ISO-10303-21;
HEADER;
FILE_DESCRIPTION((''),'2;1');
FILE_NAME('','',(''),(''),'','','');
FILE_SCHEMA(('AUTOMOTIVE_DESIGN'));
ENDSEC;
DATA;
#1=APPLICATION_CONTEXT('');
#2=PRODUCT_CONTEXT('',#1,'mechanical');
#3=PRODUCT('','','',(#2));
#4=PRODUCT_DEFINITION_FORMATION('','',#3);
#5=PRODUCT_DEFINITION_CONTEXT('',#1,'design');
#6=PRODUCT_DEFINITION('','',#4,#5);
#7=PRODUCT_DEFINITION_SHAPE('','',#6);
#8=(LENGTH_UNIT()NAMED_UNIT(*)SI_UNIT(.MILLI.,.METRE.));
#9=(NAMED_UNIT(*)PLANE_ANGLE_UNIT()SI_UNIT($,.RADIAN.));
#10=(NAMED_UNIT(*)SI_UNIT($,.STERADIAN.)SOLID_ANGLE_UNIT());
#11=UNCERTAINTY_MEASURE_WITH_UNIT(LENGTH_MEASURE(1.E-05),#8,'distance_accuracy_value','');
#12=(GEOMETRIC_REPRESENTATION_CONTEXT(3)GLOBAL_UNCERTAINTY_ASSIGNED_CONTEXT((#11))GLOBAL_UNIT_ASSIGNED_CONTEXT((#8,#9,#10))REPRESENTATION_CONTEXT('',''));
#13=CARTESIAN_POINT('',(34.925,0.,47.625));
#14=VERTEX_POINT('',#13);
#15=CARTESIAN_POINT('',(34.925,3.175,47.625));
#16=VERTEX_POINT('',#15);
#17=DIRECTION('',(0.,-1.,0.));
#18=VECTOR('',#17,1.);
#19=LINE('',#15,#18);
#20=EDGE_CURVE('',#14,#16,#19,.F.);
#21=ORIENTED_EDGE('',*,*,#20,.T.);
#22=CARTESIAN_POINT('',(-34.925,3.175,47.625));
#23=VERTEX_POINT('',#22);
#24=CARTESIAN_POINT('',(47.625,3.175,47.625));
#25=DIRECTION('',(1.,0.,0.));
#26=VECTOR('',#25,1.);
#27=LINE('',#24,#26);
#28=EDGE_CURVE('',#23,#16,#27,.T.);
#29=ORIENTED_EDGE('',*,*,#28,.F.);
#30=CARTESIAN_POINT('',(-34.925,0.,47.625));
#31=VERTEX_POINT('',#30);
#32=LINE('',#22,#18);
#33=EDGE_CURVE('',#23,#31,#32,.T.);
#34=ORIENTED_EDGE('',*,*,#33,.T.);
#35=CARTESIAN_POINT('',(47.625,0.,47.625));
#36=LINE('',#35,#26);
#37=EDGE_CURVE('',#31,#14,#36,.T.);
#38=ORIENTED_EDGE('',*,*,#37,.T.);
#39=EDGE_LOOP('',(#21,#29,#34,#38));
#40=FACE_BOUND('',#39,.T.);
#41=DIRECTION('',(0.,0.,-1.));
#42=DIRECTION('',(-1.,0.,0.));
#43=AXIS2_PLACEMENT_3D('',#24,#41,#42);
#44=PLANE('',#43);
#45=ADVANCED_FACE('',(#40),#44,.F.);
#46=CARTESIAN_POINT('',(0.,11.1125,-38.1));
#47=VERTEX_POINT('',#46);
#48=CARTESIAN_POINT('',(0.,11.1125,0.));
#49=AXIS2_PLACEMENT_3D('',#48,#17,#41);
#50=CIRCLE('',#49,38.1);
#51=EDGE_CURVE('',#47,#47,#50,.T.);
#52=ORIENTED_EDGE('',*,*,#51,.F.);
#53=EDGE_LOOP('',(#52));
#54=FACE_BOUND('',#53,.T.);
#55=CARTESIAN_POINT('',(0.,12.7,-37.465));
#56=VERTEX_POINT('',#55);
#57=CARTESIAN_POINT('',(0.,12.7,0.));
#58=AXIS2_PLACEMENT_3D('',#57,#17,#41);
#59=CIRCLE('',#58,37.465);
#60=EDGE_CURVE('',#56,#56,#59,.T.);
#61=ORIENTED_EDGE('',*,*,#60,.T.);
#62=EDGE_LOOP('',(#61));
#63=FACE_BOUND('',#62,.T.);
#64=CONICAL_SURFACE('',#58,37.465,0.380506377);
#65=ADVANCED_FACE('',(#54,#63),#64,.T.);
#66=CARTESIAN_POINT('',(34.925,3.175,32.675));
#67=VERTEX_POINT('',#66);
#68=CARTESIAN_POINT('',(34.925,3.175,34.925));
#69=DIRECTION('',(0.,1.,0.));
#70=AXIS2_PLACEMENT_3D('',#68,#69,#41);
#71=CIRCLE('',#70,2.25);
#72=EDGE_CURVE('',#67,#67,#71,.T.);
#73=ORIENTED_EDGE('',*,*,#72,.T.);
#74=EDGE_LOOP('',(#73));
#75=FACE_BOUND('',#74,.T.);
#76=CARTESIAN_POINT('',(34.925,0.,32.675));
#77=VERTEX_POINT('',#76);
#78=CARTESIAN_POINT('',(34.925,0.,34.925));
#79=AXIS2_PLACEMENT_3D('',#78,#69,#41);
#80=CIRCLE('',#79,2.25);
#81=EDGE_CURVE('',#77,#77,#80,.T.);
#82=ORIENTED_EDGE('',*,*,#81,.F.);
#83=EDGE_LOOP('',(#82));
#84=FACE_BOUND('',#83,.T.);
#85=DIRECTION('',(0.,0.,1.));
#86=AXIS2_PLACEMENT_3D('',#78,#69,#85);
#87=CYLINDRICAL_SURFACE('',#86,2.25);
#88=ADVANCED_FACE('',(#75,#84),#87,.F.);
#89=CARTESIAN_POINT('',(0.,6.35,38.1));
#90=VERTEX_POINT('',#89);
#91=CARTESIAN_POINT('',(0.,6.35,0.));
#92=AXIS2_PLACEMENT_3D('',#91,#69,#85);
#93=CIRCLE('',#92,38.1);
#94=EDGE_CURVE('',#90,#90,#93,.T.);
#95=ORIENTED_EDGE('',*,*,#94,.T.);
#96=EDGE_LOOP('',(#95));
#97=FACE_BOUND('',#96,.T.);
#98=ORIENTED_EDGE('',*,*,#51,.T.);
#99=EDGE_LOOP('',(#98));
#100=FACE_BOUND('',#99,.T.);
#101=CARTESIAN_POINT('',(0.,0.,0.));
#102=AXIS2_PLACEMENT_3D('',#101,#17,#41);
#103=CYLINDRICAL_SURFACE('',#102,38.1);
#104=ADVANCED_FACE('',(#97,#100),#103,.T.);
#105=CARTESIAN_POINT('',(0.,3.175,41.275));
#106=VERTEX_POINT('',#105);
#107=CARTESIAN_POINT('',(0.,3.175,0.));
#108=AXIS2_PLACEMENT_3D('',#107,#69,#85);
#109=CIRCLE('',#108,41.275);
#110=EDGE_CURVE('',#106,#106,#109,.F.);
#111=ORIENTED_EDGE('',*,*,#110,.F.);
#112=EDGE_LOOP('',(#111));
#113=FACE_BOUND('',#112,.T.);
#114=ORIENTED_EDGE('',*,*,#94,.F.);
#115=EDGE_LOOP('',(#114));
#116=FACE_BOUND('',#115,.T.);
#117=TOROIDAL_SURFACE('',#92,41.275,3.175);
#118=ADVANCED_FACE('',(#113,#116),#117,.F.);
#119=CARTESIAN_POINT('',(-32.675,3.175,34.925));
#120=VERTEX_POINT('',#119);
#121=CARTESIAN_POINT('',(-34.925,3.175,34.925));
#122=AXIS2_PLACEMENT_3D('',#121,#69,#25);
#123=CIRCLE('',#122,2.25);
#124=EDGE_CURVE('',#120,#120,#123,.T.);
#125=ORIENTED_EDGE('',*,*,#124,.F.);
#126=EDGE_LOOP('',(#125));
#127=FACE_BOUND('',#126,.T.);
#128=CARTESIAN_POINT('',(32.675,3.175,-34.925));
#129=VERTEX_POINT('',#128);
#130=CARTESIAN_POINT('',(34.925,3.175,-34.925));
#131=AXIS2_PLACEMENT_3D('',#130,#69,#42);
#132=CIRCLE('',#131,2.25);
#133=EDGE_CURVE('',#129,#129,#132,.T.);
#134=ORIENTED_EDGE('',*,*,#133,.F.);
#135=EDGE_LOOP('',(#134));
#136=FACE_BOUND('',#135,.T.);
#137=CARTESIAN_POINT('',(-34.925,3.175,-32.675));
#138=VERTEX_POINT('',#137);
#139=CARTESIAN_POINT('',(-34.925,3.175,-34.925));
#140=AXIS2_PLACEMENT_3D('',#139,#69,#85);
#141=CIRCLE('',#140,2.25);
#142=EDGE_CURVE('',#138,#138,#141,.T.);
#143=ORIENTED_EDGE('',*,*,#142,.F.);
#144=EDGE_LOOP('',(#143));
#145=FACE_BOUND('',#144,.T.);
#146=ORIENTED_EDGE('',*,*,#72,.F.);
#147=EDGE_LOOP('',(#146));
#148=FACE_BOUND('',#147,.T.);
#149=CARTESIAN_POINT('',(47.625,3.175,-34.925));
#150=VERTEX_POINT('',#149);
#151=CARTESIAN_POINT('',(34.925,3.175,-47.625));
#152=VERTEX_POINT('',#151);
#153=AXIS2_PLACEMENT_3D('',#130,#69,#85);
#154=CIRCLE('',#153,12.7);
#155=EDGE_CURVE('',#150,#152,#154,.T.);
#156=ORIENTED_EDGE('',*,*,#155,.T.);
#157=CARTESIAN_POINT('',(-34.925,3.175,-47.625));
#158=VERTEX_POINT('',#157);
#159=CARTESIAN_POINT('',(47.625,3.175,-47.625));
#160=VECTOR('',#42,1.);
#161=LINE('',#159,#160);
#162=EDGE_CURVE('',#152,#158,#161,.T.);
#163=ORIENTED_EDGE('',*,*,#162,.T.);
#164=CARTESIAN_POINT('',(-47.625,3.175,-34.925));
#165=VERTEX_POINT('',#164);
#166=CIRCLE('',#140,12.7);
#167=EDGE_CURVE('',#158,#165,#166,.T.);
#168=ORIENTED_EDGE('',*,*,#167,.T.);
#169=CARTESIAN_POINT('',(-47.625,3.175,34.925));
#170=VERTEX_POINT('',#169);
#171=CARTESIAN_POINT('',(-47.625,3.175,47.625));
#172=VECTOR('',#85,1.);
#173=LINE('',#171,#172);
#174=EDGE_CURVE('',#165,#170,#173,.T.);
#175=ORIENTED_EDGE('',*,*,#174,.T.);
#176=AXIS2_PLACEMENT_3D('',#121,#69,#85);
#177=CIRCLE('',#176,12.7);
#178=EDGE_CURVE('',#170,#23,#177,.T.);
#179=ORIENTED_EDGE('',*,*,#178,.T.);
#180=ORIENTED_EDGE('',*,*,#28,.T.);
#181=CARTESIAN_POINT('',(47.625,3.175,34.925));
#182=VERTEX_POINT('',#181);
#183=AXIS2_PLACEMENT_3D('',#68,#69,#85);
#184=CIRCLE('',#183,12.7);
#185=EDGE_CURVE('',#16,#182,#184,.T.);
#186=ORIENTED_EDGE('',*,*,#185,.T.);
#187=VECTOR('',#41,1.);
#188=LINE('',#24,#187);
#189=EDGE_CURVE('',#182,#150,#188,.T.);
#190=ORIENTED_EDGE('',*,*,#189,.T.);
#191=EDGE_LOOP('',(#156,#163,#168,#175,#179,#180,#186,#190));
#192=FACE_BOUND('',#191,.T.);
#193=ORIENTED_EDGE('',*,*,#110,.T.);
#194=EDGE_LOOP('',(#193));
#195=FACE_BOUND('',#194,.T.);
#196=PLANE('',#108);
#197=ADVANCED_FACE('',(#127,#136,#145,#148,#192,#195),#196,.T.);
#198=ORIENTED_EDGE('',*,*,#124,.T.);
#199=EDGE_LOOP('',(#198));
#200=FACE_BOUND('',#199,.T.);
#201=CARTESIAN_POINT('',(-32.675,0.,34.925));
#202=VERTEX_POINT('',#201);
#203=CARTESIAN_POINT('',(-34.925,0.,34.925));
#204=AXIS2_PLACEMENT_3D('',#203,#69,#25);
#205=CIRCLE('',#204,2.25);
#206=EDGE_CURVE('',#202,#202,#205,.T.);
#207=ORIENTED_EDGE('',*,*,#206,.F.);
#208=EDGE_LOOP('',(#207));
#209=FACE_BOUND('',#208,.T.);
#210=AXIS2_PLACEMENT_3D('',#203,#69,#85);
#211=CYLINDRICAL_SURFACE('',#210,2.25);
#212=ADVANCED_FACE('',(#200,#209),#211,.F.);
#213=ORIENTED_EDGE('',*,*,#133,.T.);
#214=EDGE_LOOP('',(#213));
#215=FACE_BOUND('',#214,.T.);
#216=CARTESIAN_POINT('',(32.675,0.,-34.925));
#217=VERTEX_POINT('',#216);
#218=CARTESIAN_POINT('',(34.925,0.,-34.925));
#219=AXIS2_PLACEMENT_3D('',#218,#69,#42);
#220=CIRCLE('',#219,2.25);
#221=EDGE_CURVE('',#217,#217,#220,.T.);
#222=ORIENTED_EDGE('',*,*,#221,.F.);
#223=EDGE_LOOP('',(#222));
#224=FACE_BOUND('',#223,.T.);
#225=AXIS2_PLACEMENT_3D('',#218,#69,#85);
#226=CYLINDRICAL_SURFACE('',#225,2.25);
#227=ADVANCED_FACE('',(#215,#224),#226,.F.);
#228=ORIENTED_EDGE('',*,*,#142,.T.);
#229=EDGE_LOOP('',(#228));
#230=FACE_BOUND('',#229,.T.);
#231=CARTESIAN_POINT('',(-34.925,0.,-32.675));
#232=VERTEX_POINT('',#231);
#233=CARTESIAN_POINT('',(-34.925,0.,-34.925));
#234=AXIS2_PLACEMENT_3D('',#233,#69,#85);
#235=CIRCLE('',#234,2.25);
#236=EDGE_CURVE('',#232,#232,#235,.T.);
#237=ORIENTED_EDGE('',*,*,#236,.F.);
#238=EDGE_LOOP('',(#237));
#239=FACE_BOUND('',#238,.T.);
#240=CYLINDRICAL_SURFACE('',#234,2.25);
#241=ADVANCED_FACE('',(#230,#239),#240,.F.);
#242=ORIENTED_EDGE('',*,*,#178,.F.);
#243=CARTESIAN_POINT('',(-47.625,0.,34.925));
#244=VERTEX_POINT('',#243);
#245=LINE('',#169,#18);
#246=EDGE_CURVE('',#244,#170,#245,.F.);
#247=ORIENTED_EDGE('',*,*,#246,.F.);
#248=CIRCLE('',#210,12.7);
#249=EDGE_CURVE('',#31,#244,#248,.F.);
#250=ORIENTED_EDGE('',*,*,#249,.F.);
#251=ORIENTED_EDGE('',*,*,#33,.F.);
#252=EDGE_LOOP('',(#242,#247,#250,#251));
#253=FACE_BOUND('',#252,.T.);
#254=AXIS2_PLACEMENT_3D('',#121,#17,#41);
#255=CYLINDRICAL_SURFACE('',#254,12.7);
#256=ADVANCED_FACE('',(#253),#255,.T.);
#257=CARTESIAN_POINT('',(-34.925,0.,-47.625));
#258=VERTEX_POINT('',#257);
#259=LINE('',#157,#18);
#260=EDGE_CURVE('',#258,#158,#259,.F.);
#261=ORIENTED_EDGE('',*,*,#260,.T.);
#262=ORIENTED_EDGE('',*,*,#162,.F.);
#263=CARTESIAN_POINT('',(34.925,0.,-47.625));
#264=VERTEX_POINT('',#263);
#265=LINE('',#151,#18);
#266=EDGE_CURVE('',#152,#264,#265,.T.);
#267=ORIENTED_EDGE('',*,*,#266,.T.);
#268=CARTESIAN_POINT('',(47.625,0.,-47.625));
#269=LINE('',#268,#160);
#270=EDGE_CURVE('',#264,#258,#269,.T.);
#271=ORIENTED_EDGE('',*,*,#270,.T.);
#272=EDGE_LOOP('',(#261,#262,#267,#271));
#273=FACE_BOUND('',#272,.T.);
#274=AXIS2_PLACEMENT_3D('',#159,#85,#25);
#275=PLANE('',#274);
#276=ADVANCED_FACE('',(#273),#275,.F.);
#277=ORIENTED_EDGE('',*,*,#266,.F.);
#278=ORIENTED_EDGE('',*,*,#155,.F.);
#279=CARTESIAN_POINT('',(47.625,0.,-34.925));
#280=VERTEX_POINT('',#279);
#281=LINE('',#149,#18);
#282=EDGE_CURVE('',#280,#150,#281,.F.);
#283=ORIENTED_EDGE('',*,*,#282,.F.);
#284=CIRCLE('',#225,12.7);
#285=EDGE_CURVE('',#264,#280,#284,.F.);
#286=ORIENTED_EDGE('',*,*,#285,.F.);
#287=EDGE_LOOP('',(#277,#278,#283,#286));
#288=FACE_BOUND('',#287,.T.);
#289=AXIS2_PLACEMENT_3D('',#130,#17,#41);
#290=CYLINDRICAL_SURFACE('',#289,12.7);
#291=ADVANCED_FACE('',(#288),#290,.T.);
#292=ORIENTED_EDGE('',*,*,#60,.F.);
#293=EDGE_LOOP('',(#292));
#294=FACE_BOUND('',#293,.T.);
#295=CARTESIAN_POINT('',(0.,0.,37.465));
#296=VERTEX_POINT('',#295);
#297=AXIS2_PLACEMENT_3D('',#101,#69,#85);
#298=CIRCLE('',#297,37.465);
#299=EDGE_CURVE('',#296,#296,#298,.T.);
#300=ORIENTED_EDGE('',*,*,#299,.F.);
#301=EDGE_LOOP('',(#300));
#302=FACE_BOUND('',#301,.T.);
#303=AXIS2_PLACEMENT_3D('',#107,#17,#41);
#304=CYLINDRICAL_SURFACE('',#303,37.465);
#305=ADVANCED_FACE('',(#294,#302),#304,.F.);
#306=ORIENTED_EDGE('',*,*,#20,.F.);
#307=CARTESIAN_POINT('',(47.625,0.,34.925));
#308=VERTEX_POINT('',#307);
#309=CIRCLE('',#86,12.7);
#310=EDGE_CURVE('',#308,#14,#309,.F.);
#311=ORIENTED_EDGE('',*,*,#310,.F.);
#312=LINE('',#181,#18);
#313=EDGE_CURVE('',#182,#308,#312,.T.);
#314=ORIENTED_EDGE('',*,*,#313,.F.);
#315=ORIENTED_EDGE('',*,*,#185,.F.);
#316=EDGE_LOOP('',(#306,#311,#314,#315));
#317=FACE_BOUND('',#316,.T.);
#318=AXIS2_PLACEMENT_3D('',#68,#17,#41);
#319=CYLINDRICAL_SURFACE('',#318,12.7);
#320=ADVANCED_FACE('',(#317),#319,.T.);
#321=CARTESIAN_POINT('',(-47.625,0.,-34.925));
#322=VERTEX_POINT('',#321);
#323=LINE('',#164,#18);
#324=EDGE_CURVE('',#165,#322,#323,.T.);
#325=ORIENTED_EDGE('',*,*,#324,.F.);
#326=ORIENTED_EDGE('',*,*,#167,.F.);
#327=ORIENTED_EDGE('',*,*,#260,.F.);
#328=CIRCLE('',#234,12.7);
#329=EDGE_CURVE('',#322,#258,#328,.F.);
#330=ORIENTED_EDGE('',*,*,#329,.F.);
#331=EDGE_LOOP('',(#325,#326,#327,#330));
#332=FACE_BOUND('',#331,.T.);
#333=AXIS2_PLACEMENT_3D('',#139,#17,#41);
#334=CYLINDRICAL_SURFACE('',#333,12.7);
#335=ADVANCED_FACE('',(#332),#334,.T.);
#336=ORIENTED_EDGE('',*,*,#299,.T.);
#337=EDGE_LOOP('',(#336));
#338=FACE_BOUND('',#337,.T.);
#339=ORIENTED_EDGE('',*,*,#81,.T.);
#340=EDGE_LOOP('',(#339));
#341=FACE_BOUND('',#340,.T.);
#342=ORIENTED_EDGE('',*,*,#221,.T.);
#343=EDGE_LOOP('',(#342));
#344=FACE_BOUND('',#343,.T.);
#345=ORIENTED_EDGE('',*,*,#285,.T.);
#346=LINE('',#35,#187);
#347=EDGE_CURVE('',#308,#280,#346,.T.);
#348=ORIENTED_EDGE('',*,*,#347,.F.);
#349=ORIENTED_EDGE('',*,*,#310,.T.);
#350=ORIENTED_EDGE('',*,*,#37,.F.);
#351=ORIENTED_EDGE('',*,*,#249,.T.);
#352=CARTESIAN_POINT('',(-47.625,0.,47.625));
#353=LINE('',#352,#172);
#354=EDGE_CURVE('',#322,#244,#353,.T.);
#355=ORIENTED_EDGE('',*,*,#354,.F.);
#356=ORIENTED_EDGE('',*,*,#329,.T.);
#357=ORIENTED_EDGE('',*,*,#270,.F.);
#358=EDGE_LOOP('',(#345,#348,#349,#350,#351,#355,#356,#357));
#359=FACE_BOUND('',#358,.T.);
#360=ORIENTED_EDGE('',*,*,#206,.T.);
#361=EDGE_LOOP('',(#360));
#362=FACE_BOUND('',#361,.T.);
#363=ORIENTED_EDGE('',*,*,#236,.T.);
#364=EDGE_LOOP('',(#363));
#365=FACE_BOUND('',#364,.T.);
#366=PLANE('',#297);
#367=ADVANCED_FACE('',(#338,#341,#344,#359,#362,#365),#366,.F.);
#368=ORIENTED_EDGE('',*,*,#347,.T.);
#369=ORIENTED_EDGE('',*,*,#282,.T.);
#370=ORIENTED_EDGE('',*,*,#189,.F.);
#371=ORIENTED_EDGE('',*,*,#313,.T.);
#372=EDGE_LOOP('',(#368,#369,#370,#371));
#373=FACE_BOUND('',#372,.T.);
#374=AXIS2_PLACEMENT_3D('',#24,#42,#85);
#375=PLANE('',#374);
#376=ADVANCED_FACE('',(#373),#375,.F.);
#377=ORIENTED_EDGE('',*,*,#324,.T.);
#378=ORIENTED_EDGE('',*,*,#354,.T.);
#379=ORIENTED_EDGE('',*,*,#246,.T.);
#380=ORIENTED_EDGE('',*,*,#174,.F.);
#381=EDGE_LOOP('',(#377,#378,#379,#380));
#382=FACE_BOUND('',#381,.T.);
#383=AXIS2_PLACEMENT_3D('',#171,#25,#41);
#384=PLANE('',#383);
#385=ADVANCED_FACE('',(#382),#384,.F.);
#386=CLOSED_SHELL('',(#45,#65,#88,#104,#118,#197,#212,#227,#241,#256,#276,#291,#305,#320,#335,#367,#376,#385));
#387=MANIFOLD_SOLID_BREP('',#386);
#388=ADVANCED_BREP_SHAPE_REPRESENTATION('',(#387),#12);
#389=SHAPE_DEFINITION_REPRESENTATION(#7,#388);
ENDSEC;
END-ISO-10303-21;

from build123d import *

# Parameters (mm, degrees)
SKETCH1_W           = 95.25
SKETCH1_H           = 95.25
SKETCH1_R           = 37.465
BOSS_EXTRUDE1_DEPTH = 3.175
SKETCH2_R           = 2.25
CUT_EXTRUDE1_DEPTH  = 4.175
CIRPATTERN1_COUNT   = 4
FILLET1_R           = 12.7
FILLET2_R           = 3.175


with BuildPart() as part:
    # Sketch1 → Boss-Extrude1 (new body)
    with BuildSketch(Plane(origin=(0, 0, 0), x_dir=(1, 0, 0), z_dir=(0, 1, 0))):
        Rectangle(SKETCH1_W, SKETCH1_H)
        Circle(SKETCH1_R, mode=Mode.SUBTRACT)
    extrude(amount=BOSS_EXTRUDE1_DEPTH)

    # Sketch2 → Cut-Extrude1 (cut, through all)
    with BuildSketch(Plane(origin=(0, 3.175, 0), x_dir=(1, 0, 0), z_dir=(0, 1, 0))):
        with Locations((-34.925, 34.925)):
            Circle(SKETCH2_R)
    cut_extrude1 = extrude(amount=-CUT_EXTRUDE1_DEPTH, mode=Mode.SUBTRACT)

    # CirPattern1: Cut-Extrude1 ×4 about axis
    cirpattern1_axis = Axis((0, 0, 0), (0, 1, 0))
    for i in range(1, CIRPATTERN1_COUNT):
        add(cut_extrude1.rotate(cirpattern1_axis, i * 360 / CIRPATTERN1_COUNT), mode=Mode.SUBTRACT)

    # Fillet1
    fillet1_edges = [part.edges().sort_by_distance(p)[0] for p in [
        (-47.625, 1.5875, -47.625),
        (47.625, 1.5875, -47.625),
        (47.625, 1.5875, 47.625),
        (-47.625, 1.5875, 47.625),
    ]]
    fillet(fillet1_edges, radius=FILLET1_R)

    # Sketch4 → Revolve1 (revolve)
    with BuildSketch(Plane.XY):
        Polygon((37.465, 9.525), (37.465, 3.175), (38.1, 3.175), (38.1, 10.3505), (38.1, 11.1125), (37.465, 12.7), align=None)
    revolve(axis=Axis((0, 0, 0), (0, 1, 0)))

    # Fillet2
    fillet2_edges = [part.edges().sort_by_distance(p)[0] for p in [
        (-38.1, 3.175, 0),
    ]]
    fillet(fillet2_edges, radius=FILLET2_R)


solid = part.part
